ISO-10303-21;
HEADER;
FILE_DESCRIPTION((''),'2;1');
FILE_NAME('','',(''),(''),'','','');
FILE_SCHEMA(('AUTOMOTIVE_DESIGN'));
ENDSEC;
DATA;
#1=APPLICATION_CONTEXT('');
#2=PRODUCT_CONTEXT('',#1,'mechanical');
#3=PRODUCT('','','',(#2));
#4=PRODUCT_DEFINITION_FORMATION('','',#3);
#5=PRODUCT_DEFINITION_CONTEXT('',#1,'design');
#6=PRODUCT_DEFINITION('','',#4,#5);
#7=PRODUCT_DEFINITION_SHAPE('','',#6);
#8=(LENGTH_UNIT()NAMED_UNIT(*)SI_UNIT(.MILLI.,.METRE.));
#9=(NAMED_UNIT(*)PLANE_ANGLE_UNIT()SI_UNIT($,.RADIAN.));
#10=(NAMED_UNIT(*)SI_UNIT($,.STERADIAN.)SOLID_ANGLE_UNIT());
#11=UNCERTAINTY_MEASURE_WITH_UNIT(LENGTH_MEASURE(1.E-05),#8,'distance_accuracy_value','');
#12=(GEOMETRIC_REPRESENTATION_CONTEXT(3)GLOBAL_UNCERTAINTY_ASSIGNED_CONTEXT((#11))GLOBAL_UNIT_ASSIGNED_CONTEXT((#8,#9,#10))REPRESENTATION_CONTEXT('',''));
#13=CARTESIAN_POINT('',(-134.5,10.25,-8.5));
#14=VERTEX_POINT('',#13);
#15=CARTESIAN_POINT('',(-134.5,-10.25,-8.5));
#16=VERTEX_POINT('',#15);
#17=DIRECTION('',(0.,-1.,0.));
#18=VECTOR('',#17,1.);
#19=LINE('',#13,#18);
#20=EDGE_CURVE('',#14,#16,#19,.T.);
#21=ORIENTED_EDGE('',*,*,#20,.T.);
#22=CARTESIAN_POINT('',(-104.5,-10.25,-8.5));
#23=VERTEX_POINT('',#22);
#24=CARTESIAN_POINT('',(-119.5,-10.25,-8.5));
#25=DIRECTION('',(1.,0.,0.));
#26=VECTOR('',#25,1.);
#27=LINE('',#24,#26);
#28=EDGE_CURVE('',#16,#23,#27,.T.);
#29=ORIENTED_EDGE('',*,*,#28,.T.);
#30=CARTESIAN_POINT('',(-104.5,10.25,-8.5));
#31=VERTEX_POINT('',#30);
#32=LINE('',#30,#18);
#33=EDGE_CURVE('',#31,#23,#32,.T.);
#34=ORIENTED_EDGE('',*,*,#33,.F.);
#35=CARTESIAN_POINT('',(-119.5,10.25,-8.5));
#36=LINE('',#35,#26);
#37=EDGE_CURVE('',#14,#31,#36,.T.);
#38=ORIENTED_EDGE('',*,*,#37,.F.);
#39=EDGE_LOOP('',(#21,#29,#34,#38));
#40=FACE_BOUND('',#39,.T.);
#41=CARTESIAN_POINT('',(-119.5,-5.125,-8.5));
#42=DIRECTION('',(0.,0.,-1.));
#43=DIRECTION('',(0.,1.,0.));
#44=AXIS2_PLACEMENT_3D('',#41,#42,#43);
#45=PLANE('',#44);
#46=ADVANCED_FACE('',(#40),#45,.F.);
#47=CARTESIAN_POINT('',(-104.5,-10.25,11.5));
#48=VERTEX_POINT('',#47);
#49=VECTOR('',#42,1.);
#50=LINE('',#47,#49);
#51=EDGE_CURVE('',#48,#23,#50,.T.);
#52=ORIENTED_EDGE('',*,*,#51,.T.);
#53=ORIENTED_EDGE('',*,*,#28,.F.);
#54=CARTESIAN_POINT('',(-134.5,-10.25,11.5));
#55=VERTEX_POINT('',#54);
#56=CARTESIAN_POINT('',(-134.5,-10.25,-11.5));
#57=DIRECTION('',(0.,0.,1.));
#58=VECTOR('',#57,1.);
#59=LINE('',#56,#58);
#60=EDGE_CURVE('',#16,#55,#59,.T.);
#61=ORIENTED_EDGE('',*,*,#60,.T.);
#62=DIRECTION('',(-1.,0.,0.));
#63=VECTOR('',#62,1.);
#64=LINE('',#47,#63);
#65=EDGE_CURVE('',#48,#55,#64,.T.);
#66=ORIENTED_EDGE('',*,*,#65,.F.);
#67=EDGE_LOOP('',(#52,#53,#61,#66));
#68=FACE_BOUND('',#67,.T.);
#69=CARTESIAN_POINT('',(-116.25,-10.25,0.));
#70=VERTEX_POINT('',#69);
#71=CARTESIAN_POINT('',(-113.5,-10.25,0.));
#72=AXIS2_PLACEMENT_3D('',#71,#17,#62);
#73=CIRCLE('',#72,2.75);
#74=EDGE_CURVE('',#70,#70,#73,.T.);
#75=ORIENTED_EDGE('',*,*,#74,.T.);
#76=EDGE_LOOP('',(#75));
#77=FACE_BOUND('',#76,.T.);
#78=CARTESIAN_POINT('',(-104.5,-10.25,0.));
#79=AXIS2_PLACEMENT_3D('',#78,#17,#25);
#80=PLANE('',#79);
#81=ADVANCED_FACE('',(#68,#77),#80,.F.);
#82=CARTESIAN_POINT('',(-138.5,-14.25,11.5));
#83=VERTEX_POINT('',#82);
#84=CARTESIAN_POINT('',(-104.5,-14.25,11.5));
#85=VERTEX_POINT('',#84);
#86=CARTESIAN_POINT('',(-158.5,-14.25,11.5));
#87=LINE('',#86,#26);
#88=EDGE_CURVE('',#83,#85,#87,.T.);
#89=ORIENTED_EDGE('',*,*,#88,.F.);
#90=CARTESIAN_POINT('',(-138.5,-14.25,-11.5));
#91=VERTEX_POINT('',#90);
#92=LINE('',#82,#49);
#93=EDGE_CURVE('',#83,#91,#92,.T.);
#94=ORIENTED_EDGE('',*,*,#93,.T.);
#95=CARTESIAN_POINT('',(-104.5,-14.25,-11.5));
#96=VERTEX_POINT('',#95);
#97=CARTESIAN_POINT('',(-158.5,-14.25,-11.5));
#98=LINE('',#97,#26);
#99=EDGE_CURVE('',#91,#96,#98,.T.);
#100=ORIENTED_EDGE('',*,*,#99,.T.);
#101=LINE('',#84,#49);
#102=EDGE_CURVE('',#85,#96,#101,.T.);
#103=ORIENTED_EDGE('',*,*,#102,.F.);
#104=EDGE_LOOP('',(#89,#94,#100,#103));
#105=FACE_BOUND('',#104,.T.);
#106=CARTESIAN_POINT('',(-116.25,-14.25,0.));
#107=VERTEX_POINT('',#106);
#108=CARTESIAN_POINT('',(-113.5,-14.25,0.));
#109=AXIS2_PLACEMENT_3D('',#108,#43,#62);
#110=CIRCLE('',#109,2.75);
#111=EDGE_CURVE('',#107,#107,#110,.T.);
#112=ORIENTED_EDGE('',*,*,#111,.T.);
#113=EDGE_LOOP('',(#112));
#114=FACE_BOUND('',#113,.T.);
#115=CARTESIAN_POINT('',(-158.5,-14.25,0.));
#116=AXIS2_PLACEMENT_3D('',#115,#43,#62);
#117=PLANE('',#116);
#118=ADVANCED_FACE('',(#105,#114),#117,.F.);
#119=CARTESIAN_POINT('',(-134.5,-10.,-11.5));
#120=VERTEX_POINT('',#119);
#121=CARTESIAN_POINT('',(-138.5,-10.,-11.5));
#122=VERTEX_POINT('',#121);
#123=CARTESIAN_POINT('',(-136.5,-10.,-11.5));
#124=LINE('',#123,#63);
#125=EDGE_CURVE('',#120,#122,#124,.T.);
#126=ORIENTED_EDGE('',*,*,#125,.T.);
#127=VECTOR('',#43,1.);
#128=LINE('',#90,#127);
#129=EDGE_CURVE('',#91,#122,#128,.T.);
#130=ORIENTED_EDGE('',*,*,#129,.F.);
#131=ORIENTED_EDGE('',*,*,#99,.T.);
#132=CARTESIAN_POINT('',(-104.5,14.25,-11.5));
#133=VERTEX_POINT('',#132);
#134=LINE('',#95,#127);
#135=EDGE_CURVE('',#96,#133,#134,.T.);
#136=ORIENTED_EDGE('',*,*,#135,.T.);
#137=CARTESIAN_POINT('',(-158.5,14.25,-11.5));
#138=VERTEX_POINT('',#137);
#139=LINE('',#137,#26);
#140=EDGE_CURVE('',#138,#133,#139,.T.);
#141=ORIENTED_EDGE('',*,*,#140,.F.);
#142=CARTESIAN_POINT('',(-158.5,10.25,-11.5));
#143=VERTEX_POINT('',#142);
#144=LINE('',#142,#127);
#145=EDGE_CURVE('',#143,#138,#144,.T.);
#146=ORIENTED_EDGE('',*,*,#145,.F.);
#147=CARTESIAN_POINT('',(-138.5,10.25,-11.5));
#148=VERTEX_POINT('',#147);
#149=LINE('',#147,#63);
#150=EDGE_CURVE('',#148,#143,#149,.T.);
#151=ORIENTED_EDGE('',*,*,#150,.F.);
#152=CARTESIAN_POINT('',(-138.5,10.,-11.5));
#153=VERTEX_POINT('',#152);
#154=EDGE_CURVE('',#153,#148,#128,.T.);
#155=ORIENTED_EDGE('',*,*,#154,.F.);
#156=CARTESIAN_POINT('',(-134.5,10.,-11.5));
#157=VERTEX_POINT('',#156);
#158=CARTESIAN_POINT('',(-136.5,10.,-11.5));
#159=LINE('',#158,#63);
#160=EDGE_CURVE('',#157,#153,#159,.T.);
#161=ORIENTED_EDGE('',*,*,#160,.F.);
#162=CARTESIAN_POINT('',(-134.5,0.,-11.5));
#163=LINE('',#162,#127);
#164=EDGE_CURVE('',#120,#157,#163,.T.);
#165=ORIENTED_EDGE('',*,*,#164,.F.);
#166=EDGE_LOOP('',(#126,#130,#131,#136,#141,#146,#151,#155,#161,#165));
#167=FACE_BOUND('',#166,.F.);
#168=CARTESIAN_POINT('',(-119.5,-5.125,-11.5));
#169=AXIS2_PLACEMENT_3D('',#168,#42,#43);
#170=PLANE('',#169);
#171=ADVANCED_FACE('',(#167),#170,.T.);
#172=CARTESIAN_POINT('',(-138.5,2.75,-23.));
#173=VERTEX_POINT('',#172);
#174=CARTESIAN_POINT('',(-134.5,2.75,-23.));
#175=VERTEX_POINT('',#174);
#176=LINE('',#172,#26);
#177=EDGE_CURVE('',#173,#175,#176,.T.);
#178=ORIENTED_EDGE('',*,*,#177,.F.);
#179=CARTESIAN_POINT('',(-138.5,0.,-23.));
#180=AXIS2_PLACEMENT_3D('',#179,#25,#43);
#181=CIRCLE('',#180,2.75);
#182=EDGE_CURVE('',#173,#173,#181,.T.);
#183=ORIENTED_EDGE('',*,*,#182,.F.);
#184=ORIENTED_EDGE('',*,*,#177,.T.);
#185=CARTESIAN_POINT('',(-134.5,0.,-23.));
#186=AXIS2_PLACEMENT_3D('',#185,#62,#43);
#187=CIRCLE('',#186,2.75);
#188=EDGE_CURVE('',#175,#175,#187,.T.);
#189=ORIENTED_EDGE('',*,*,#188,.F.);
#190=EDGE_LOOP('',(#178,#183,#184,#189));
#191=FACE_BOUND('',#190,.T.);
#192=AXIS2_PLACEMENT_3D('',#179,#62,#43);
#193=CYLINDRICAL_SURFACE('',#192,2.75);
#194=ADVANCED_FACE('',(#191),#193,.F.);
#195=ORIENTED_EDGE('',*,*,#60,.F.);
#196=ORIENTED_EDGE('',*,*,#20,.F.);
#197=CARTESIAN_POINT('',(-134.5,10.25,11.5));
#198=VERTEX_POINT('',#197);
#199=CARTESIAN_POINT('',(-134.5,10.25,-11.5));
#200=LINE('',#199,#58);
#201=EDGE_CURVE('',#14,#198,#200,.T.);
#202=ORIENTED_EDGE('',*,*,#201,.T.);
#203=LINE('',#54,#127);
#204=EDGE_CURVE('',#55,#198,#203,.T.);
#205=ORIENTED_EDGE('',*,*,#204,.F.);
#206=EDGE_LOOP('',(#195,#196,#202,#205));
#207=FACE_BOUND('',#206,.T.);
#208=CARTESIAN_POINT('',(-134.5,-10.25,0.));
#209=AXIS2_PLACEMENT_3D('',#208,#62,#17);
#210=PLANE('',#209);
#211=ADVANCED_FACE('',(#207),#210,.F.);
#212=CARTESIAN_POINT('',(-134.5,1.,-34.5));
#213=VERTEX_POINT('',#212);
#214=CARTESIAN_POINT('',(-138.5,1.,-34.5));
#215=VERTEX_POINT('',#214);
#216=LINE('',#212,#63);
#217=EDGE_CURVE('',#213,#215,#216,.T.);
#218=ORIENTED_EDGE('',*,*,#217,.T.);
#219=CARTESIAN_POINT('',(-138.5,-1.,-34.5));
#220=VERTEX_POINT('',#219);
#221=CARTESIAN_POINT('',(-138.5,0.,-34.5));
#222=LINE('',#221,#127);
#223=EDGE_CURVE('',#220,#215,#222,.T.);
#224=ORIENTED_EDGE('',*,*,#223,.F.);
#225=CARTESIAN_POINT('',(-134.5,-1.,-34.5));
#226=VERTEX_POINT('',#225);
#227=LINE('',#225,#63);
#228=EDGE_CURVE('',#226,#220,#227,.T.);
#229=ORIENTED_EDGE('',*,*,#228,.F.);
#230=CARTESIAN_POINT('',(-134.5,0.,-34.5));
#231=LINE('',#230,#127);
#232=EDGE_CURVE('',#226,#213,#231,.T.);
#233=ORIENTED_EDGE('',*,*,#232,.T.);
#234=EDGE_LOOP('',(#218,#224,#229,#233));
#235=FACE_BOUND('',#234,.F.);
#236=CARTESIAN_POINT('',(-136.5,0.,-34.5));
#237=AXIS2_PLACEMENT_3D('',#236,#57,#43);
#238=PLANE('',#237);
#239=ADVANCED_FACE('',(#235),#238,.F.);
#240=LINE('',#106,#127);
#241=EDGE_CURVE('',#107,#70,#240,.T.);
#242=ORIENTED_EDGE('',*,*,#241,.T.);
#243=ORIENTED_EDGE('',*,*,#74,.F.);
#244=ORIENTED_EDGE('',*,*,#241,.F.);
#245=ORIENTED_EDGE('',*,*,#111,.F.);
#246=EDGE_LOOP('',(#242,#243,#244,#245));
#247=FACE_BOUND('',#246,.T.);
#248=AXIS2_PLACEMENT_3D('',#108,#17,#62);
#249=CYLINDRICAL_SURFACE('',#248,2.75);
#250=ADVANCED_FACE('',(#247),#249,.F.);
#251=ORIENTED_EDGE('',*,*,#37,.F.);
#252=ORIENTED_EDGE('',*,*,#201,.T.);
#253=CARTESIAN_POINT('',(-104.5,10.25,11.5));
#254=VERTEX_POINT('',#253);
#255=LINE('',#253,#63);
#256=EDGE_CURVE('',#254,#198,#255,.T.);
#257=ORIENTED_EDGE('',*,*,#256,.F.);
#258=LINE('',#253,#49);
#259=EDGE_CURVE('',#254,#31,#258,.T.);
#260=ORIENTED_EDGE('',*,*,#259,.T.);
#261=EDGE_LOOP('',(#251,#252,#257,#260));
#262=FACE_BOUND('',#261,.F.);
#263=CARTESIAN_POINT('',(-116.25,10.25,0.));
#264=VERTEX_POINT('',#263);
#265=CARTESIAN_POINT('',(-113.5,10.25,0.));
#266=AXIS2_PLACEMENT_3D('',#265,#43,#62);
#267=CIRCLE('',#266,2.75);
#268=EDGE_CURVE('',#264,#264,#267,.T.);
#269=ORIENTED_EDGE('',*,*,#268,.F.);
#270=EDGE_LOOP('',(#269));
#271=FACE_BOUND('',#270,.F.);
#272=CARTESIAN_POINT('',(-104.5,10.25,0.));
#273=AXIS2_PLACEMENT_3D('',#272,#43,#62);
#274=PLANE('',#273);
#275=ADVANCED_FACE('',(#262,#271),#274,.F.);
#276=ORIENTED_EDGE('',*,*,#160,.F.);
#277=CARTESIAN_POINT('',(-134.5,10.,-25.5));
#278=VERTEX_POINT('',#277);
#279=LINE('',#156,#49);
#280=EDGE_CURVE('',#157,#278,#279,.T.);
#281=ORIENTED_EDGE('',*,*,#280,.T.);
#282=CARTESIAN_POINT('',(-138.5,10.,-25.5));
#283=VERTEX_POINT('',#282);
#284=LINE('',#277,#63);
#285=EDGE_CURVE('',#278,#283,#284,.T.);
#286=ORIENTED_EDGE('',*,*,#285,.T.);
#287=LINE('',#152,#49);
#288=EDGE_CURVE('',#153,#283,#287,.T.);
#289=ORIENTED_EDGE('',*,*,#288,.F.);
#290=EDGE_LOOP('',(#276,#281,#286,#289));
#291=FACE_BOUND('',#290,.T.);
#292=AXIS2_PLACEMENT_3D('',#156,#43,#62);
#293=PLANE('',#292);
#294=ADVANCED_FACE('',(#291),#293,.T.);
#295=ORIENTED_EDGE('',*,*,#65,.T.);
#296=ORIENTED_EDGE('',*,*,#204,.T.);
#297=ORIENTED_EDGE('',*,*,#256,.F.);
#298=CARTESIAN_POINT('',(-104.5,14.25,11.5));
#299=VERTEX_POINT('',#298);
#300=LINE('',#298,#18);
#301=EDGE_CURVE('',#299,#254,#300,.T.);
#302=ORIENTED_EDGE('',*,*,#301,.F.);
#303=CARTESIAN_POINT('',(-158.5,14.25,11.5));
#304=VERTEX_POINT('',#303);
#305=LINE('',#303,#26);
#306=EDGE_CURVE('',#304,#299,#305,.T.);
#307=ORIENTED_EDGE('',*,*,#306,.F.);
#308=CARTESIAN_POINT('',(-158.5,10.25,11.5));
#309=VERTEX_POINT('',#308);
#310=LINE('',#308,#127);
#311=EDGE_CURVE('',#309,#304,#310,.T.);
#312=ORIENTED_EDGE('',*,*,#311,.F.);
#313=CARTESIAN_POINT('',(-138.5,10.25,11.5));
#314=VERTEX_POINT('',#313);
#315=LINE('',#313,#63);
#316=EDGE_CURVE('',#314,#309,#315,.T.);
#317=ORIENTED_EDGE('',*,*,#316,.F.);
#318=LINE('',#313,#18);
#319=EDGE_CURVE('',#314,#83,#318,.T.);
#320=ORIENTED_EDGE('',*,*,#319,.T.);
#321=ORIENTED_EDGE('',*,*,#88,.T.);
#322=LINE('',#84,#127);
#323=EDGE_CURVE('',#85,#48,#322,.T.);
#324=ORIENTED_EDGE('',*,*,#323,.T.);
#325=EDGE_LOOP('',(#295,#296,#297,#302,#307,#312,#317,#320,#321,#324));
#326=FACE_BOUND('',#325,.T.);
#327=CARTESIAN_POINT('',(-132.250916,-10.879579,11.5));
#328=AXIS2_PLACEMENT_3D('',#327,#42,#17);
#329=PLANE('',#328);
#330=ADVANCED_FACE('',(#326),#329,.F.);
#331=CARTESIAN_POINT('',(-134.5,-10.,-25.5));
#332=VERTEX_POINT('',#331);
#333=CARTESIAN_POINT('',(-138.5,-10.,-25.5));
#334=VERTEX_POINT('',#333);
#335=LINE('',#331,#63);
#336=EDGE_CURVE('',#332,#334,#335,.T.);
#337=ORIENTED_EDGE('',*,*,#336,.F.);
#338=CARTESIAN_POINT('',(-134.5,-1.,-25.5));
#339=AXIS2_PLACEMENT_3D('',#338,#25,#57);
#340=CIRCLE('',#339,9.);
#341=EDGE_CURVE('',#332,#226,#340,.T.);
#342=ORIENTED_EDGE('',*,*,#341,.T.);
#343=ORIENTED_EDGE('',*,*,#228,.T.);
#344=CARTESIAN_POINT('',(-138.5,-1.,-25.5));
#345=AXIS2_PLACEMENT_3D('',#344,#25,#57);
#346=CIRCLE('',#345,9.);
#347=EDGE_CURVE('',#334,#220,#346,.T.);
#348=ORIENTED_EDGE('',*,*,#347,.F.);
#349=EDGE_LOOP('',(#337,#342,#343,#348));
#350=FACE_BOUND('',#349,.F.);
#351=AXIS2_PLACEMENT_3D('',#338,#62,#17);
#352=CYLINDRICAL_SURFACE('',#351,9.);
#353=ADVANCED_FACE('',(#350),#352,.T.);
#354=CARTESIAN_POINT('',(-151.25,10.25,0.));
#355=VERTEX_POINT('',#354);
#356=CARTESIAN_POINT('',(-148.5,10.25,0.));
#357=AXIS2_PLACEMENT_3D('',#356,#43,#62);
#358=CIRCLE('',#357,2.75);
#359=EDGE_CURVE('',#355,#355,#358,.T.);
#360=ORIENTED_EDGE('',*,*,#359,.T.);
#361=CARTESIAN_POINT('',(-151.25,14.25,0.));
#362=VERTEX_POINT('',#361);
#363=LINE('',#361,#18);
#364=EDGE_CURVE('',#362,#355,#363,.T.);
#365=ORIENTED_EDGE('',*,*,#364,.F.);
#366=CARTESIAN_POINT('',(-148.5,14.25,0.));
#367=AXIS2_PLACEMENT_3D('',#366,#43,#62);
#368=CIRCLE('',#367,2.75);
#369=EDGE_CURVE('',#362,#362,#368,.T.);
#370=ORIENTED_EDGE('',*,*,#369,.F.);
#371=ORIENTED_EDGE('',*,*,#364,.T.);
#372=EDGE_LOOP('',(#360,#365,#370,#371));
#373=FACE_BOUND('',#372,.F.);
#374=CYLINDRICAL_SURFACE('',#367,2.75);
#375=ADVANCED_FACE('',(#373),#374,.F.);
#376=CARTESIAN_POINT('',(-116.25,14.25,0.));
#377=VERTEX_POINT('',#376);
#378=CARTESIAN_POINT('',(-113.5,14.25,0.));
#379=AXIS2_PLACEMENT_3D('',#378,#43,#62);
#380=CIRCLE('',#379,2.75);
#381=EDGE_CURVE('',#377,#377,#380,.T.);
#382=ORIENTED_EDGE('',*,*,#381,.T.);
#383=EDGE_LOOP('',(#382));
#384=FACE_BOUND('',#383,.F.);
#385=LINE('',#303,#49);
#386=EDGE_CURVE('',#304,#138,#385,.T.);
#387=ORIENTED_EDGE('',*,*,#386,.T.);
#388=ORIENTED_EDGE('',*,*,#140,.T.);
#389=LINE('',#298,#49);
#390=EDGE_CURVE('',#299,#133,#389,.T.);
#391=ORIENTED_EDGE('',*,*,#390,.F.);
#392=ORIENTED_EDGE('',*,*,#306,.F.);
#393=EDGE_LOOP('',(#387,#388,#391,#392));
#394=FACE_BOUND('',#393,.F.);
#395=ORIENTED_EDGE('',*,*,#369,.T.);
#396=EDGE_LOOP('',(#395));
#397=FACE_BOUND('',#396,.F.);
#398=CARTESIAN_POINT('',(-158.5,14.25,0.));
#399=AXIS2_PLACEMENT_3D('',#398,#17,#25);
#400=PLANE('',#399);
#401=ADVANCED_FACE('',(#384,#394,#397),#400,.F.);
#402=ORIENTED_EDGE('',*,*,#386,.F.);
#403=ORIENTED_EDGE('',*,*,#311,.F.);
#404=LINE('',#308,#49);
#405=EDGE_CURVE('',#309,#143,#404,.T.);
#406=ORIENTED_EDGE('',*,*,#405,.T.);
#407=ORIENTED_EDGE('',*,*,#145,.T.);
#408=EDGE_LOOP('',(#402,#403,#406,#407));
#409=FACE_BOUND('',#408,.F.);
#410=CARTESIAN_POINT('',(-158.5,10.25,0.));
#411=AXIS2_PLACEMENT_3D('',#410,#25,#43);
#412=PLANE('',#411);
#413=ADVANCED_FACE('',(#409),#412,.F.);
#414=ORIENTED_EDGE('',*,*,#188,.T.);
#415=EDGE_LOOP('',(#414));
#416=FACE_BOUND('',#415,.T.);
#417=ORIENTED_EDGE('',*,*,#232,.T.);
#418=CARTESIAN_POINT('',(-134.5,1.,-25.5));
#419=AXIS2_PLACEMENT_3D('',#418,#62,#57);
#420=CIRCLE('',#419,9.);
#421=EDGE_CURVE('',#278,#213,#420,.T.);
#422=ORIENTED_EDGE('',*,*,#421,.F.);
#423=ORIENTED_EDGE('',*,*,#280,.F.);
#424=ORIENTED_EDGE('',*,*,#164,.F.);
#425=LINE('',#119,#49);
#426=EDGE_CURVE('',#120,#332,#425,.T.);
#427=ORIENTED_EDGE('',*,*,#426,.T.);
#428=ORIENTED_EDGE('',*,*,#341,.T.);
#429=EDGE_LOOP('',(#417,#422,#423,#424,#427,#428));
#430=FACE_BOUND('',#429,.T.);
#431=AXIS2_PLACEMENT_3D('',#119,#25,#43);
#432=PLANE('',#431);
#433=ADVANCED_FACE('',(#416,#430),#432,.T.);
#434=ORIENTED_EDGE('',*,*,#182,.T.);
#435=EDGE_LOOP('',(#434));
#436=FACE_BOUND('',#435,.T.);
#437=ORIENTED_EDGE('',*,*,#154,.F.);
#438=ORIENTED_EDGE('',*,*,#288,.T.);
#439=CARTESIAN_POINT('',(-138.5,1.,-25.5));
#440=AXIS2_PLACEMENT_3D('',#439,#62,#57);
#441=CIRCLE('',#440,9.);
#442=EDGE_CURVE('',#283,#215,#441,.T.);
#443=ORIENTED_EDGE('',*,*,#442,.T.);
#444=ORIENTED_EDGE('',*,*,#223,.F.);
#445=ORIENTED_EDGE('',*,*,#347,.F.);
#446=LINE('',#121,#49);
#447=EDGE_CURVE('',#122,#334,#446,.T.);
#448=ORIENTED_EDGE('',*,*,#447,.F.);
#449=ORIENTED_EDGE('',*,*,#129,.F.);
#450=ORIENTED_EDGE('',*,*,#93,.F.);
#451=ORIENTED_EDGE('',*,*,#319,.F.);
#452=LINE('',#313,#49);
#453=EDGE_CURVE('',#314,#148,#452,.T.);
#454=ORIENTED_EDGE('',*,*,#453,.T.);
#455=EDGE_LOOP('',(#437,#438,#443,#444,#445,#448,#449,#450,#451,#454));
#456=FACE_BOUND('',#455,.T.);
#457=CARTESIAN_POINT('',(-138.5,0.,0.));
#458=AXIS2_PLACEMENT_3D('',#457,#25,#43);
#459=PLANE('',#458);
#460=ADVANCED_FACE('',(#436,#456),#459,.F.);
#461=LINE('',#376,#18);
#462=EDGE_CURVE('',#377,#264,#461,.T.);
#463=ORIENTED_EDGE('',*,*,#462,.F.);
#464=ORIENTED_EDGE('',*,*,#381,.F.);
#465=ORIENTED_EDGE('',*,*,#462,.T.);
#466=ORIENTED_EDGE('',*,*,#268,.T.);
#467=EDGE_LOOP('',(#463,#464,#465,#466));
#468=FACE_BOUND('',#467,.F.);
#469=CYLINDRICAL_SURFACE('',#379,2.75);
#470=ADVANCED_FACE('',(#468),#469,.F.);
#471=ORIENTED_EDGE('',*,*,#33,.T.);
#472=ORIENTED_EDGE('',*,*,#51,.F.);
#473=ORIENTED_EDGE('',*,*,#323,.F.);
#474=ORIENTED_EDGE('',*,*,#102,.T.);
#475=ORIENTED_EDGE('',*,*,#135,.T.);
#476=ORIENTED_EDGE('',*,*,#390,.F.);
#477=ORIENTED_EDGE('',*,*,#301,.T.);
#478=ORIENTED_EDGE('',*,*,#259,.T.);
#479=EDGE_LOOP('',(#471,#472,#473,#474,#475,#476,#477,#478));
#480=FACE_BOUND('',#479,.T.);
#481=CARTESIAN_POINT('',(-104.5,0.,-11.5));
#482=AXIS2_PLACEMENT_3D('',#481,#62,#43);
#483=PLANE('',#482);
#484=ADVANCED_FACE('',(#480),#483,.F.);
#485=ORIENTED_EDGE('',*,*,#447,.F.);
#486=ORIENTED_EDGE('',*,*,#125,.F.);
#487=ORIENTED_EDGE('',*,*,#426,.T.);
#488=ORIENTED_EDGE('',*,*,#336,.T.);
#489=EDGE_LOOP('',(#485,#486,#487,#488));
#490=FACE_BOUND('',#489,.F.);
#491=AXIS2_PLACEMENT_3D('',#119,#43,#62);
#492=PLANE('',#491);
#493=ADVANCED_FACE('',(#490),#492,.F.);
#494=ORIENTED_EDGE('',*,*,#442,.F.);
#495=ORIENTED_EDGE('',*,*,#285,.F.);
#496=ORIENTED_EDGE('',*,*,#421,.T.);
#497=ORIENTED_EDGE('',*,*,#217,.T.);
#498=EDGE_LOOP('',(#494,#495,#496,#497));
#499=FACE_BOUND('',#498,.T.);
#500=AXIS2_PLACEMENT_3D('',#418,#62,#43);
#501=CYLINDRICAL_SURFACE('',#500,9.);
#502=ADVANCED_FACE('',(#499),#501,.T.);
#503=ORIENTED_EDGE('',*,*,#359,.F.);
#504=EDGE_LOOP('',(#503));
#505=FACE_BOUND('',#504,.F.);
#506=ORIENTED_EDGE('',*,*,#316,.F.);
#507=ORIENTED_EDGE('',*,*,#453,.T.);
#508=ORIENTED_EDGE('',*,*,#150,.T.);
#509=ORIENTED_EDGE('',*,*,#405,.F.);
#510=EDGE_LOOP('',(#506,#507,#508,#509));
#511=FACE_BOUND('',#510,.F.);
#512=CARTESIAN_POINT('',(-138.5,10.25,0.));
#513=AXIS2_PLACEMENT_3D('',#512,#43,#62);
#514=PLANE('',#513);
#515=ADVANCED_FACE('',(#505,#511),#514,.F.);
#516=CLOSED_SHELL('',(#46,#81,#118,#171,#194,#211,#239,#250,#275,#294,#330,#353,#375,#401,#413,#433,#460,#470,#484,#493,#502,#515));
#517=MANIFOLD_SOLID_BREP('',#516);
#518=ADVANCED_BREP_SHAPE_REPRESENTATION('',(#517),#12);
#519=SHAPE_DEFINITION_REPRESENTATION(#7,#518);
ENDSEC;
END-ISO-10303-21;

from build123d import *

# Parameters (mm, degrees)
PAD077_DEPTH            = 11.5
SKETCH069_W             = 10.25
SKETCH069_H             = 30
PAD078_DEPTH            = 3
SKETCH070_R             = 2.75
POCKET048_DEPTH         = 5
SKETCH148_W             = 4
SKETCH148_H             = 20
POCKET049_DEPTH         = 11.501
POCKET049_DEPTH_BACK    = 11.501
SKETCH149_W             = 20
SKETCH149_H             = 4
PAD079_DEPTH            = 23
SKETCH150_R             = 2.75
POCKET050_DEPTH         = 34.001
FILLET003_R             = 9
BODY057_PLACEMENT_ANGLE = 90


with BuildPart() as part:
    # Sketch068 → Pad077 (new body, symmetric)
    with BuildSketch(Plane.XY):
        Polygon((0, 0), (10.25, 0), (10.25, 20), (14.25, 20), (14.25, -34), (10.25, -34), (10.25, -4), (0, -4), align=None)
    pad077 = extrude(amount=PAD077_DEPTH, both=True)

    # Sketch069 (on Face9 of Pad043) → Pad078 (join)
    with BuildSketch(Plane(origin=(0, 0, -11.5), x_dir=(1, 0, 0), z_dir=(0, 0, -1))):
        with Locations((5.125, 19)):
            Rectangle(SKETCH069_W, SKETCH069_H)
    pad078 = extrude(amount=-PAD078_DEPTH)

    # Sketch070 (on Face9 of Pad044) → Pocket048 (cut)
    with BuildSketch(Plane.YZ.offset(14.25)):
        with Locations((-25, 0)):
            Circle(SKETCH070_R)
        with Locations((10, 0)):
            Circle(SKETCH070_R)
    pocket048 = extrude(amount=-POCKET048_DEPTH, mode=Mode.SUBTRACT)

    # Mirrored028: Pad077, Pad078, Pocket048 across Sketch068 V_Axis
    add(pad077.mirror(Plane(origin=(0, 0, 0), x_dir=(0, 0, 1), z_dir=(1, 0, 0))))
    add(pad078.mirror(Plane(origin=(0, 0, 0), x_dir=(0, 0, 1), z_dir=(1, 0, 0))))
    add(pocket048.mirror(Plane(origin=(0, 0, 0), x_dir=(0, 0, 1), z_dir=(1, 0, 0))), mode=Mode.SUBTRACT)

    # Sketch148 → Pocket049 (cut, two sides)
    with BuildSketch(Plane.XY) as pocket049_sk:
        with Locations((-12.25, 10)):
            Rectangle(SKETCH148_W, SKETCH148_H)
    extrude(amount=-POCKET049_DEPTH, mode=Mode.SUBTRACT)
    extrude(pocket049_sk.sketch, amount=POCKET049_DEPTH_BACK, mode=Mode.SUBTRACT)

    # Sketch149 → Pad079 (join)
    with BuildSketch(Plane.XY.offset(-11.5)):
        with Locations((0, -2)):
            Rectangle(SKETCH149_W, SKETCH149_H)
    extrude(amount=-PAD079_DEPTH)

    # Sketch150 → Pocket050 (cut, through all)
    with BuildSketch(Plane(origin=(0, 0, -23), x_dir=(1, 0, 0), z_dir=(0, -1, 0))):
        Circle(SKETCH150_R)
    extrude(amount=POCKET050_DEPTH, mode=Mode.SUBTRACT)

    # Fillet003
    fillet003_edges = [part.edges().sort_by_distance(p)[0] for p in [
        (10, -2, -34.5),
        (-10, -2, -34.5),
    ]]
    fillet(fillet003_edges, radius=FILLET003_R)


with BuildPart() as part_1:
    # Body057 placement: moved
    add(part.part.moved(Location((-138.5, 0, 0))).rotate(Axis((-138.5, 0, 0), (0, 0, 1)), BODY057_PLACEMENT_ANGLE))


solid = part_1.part
